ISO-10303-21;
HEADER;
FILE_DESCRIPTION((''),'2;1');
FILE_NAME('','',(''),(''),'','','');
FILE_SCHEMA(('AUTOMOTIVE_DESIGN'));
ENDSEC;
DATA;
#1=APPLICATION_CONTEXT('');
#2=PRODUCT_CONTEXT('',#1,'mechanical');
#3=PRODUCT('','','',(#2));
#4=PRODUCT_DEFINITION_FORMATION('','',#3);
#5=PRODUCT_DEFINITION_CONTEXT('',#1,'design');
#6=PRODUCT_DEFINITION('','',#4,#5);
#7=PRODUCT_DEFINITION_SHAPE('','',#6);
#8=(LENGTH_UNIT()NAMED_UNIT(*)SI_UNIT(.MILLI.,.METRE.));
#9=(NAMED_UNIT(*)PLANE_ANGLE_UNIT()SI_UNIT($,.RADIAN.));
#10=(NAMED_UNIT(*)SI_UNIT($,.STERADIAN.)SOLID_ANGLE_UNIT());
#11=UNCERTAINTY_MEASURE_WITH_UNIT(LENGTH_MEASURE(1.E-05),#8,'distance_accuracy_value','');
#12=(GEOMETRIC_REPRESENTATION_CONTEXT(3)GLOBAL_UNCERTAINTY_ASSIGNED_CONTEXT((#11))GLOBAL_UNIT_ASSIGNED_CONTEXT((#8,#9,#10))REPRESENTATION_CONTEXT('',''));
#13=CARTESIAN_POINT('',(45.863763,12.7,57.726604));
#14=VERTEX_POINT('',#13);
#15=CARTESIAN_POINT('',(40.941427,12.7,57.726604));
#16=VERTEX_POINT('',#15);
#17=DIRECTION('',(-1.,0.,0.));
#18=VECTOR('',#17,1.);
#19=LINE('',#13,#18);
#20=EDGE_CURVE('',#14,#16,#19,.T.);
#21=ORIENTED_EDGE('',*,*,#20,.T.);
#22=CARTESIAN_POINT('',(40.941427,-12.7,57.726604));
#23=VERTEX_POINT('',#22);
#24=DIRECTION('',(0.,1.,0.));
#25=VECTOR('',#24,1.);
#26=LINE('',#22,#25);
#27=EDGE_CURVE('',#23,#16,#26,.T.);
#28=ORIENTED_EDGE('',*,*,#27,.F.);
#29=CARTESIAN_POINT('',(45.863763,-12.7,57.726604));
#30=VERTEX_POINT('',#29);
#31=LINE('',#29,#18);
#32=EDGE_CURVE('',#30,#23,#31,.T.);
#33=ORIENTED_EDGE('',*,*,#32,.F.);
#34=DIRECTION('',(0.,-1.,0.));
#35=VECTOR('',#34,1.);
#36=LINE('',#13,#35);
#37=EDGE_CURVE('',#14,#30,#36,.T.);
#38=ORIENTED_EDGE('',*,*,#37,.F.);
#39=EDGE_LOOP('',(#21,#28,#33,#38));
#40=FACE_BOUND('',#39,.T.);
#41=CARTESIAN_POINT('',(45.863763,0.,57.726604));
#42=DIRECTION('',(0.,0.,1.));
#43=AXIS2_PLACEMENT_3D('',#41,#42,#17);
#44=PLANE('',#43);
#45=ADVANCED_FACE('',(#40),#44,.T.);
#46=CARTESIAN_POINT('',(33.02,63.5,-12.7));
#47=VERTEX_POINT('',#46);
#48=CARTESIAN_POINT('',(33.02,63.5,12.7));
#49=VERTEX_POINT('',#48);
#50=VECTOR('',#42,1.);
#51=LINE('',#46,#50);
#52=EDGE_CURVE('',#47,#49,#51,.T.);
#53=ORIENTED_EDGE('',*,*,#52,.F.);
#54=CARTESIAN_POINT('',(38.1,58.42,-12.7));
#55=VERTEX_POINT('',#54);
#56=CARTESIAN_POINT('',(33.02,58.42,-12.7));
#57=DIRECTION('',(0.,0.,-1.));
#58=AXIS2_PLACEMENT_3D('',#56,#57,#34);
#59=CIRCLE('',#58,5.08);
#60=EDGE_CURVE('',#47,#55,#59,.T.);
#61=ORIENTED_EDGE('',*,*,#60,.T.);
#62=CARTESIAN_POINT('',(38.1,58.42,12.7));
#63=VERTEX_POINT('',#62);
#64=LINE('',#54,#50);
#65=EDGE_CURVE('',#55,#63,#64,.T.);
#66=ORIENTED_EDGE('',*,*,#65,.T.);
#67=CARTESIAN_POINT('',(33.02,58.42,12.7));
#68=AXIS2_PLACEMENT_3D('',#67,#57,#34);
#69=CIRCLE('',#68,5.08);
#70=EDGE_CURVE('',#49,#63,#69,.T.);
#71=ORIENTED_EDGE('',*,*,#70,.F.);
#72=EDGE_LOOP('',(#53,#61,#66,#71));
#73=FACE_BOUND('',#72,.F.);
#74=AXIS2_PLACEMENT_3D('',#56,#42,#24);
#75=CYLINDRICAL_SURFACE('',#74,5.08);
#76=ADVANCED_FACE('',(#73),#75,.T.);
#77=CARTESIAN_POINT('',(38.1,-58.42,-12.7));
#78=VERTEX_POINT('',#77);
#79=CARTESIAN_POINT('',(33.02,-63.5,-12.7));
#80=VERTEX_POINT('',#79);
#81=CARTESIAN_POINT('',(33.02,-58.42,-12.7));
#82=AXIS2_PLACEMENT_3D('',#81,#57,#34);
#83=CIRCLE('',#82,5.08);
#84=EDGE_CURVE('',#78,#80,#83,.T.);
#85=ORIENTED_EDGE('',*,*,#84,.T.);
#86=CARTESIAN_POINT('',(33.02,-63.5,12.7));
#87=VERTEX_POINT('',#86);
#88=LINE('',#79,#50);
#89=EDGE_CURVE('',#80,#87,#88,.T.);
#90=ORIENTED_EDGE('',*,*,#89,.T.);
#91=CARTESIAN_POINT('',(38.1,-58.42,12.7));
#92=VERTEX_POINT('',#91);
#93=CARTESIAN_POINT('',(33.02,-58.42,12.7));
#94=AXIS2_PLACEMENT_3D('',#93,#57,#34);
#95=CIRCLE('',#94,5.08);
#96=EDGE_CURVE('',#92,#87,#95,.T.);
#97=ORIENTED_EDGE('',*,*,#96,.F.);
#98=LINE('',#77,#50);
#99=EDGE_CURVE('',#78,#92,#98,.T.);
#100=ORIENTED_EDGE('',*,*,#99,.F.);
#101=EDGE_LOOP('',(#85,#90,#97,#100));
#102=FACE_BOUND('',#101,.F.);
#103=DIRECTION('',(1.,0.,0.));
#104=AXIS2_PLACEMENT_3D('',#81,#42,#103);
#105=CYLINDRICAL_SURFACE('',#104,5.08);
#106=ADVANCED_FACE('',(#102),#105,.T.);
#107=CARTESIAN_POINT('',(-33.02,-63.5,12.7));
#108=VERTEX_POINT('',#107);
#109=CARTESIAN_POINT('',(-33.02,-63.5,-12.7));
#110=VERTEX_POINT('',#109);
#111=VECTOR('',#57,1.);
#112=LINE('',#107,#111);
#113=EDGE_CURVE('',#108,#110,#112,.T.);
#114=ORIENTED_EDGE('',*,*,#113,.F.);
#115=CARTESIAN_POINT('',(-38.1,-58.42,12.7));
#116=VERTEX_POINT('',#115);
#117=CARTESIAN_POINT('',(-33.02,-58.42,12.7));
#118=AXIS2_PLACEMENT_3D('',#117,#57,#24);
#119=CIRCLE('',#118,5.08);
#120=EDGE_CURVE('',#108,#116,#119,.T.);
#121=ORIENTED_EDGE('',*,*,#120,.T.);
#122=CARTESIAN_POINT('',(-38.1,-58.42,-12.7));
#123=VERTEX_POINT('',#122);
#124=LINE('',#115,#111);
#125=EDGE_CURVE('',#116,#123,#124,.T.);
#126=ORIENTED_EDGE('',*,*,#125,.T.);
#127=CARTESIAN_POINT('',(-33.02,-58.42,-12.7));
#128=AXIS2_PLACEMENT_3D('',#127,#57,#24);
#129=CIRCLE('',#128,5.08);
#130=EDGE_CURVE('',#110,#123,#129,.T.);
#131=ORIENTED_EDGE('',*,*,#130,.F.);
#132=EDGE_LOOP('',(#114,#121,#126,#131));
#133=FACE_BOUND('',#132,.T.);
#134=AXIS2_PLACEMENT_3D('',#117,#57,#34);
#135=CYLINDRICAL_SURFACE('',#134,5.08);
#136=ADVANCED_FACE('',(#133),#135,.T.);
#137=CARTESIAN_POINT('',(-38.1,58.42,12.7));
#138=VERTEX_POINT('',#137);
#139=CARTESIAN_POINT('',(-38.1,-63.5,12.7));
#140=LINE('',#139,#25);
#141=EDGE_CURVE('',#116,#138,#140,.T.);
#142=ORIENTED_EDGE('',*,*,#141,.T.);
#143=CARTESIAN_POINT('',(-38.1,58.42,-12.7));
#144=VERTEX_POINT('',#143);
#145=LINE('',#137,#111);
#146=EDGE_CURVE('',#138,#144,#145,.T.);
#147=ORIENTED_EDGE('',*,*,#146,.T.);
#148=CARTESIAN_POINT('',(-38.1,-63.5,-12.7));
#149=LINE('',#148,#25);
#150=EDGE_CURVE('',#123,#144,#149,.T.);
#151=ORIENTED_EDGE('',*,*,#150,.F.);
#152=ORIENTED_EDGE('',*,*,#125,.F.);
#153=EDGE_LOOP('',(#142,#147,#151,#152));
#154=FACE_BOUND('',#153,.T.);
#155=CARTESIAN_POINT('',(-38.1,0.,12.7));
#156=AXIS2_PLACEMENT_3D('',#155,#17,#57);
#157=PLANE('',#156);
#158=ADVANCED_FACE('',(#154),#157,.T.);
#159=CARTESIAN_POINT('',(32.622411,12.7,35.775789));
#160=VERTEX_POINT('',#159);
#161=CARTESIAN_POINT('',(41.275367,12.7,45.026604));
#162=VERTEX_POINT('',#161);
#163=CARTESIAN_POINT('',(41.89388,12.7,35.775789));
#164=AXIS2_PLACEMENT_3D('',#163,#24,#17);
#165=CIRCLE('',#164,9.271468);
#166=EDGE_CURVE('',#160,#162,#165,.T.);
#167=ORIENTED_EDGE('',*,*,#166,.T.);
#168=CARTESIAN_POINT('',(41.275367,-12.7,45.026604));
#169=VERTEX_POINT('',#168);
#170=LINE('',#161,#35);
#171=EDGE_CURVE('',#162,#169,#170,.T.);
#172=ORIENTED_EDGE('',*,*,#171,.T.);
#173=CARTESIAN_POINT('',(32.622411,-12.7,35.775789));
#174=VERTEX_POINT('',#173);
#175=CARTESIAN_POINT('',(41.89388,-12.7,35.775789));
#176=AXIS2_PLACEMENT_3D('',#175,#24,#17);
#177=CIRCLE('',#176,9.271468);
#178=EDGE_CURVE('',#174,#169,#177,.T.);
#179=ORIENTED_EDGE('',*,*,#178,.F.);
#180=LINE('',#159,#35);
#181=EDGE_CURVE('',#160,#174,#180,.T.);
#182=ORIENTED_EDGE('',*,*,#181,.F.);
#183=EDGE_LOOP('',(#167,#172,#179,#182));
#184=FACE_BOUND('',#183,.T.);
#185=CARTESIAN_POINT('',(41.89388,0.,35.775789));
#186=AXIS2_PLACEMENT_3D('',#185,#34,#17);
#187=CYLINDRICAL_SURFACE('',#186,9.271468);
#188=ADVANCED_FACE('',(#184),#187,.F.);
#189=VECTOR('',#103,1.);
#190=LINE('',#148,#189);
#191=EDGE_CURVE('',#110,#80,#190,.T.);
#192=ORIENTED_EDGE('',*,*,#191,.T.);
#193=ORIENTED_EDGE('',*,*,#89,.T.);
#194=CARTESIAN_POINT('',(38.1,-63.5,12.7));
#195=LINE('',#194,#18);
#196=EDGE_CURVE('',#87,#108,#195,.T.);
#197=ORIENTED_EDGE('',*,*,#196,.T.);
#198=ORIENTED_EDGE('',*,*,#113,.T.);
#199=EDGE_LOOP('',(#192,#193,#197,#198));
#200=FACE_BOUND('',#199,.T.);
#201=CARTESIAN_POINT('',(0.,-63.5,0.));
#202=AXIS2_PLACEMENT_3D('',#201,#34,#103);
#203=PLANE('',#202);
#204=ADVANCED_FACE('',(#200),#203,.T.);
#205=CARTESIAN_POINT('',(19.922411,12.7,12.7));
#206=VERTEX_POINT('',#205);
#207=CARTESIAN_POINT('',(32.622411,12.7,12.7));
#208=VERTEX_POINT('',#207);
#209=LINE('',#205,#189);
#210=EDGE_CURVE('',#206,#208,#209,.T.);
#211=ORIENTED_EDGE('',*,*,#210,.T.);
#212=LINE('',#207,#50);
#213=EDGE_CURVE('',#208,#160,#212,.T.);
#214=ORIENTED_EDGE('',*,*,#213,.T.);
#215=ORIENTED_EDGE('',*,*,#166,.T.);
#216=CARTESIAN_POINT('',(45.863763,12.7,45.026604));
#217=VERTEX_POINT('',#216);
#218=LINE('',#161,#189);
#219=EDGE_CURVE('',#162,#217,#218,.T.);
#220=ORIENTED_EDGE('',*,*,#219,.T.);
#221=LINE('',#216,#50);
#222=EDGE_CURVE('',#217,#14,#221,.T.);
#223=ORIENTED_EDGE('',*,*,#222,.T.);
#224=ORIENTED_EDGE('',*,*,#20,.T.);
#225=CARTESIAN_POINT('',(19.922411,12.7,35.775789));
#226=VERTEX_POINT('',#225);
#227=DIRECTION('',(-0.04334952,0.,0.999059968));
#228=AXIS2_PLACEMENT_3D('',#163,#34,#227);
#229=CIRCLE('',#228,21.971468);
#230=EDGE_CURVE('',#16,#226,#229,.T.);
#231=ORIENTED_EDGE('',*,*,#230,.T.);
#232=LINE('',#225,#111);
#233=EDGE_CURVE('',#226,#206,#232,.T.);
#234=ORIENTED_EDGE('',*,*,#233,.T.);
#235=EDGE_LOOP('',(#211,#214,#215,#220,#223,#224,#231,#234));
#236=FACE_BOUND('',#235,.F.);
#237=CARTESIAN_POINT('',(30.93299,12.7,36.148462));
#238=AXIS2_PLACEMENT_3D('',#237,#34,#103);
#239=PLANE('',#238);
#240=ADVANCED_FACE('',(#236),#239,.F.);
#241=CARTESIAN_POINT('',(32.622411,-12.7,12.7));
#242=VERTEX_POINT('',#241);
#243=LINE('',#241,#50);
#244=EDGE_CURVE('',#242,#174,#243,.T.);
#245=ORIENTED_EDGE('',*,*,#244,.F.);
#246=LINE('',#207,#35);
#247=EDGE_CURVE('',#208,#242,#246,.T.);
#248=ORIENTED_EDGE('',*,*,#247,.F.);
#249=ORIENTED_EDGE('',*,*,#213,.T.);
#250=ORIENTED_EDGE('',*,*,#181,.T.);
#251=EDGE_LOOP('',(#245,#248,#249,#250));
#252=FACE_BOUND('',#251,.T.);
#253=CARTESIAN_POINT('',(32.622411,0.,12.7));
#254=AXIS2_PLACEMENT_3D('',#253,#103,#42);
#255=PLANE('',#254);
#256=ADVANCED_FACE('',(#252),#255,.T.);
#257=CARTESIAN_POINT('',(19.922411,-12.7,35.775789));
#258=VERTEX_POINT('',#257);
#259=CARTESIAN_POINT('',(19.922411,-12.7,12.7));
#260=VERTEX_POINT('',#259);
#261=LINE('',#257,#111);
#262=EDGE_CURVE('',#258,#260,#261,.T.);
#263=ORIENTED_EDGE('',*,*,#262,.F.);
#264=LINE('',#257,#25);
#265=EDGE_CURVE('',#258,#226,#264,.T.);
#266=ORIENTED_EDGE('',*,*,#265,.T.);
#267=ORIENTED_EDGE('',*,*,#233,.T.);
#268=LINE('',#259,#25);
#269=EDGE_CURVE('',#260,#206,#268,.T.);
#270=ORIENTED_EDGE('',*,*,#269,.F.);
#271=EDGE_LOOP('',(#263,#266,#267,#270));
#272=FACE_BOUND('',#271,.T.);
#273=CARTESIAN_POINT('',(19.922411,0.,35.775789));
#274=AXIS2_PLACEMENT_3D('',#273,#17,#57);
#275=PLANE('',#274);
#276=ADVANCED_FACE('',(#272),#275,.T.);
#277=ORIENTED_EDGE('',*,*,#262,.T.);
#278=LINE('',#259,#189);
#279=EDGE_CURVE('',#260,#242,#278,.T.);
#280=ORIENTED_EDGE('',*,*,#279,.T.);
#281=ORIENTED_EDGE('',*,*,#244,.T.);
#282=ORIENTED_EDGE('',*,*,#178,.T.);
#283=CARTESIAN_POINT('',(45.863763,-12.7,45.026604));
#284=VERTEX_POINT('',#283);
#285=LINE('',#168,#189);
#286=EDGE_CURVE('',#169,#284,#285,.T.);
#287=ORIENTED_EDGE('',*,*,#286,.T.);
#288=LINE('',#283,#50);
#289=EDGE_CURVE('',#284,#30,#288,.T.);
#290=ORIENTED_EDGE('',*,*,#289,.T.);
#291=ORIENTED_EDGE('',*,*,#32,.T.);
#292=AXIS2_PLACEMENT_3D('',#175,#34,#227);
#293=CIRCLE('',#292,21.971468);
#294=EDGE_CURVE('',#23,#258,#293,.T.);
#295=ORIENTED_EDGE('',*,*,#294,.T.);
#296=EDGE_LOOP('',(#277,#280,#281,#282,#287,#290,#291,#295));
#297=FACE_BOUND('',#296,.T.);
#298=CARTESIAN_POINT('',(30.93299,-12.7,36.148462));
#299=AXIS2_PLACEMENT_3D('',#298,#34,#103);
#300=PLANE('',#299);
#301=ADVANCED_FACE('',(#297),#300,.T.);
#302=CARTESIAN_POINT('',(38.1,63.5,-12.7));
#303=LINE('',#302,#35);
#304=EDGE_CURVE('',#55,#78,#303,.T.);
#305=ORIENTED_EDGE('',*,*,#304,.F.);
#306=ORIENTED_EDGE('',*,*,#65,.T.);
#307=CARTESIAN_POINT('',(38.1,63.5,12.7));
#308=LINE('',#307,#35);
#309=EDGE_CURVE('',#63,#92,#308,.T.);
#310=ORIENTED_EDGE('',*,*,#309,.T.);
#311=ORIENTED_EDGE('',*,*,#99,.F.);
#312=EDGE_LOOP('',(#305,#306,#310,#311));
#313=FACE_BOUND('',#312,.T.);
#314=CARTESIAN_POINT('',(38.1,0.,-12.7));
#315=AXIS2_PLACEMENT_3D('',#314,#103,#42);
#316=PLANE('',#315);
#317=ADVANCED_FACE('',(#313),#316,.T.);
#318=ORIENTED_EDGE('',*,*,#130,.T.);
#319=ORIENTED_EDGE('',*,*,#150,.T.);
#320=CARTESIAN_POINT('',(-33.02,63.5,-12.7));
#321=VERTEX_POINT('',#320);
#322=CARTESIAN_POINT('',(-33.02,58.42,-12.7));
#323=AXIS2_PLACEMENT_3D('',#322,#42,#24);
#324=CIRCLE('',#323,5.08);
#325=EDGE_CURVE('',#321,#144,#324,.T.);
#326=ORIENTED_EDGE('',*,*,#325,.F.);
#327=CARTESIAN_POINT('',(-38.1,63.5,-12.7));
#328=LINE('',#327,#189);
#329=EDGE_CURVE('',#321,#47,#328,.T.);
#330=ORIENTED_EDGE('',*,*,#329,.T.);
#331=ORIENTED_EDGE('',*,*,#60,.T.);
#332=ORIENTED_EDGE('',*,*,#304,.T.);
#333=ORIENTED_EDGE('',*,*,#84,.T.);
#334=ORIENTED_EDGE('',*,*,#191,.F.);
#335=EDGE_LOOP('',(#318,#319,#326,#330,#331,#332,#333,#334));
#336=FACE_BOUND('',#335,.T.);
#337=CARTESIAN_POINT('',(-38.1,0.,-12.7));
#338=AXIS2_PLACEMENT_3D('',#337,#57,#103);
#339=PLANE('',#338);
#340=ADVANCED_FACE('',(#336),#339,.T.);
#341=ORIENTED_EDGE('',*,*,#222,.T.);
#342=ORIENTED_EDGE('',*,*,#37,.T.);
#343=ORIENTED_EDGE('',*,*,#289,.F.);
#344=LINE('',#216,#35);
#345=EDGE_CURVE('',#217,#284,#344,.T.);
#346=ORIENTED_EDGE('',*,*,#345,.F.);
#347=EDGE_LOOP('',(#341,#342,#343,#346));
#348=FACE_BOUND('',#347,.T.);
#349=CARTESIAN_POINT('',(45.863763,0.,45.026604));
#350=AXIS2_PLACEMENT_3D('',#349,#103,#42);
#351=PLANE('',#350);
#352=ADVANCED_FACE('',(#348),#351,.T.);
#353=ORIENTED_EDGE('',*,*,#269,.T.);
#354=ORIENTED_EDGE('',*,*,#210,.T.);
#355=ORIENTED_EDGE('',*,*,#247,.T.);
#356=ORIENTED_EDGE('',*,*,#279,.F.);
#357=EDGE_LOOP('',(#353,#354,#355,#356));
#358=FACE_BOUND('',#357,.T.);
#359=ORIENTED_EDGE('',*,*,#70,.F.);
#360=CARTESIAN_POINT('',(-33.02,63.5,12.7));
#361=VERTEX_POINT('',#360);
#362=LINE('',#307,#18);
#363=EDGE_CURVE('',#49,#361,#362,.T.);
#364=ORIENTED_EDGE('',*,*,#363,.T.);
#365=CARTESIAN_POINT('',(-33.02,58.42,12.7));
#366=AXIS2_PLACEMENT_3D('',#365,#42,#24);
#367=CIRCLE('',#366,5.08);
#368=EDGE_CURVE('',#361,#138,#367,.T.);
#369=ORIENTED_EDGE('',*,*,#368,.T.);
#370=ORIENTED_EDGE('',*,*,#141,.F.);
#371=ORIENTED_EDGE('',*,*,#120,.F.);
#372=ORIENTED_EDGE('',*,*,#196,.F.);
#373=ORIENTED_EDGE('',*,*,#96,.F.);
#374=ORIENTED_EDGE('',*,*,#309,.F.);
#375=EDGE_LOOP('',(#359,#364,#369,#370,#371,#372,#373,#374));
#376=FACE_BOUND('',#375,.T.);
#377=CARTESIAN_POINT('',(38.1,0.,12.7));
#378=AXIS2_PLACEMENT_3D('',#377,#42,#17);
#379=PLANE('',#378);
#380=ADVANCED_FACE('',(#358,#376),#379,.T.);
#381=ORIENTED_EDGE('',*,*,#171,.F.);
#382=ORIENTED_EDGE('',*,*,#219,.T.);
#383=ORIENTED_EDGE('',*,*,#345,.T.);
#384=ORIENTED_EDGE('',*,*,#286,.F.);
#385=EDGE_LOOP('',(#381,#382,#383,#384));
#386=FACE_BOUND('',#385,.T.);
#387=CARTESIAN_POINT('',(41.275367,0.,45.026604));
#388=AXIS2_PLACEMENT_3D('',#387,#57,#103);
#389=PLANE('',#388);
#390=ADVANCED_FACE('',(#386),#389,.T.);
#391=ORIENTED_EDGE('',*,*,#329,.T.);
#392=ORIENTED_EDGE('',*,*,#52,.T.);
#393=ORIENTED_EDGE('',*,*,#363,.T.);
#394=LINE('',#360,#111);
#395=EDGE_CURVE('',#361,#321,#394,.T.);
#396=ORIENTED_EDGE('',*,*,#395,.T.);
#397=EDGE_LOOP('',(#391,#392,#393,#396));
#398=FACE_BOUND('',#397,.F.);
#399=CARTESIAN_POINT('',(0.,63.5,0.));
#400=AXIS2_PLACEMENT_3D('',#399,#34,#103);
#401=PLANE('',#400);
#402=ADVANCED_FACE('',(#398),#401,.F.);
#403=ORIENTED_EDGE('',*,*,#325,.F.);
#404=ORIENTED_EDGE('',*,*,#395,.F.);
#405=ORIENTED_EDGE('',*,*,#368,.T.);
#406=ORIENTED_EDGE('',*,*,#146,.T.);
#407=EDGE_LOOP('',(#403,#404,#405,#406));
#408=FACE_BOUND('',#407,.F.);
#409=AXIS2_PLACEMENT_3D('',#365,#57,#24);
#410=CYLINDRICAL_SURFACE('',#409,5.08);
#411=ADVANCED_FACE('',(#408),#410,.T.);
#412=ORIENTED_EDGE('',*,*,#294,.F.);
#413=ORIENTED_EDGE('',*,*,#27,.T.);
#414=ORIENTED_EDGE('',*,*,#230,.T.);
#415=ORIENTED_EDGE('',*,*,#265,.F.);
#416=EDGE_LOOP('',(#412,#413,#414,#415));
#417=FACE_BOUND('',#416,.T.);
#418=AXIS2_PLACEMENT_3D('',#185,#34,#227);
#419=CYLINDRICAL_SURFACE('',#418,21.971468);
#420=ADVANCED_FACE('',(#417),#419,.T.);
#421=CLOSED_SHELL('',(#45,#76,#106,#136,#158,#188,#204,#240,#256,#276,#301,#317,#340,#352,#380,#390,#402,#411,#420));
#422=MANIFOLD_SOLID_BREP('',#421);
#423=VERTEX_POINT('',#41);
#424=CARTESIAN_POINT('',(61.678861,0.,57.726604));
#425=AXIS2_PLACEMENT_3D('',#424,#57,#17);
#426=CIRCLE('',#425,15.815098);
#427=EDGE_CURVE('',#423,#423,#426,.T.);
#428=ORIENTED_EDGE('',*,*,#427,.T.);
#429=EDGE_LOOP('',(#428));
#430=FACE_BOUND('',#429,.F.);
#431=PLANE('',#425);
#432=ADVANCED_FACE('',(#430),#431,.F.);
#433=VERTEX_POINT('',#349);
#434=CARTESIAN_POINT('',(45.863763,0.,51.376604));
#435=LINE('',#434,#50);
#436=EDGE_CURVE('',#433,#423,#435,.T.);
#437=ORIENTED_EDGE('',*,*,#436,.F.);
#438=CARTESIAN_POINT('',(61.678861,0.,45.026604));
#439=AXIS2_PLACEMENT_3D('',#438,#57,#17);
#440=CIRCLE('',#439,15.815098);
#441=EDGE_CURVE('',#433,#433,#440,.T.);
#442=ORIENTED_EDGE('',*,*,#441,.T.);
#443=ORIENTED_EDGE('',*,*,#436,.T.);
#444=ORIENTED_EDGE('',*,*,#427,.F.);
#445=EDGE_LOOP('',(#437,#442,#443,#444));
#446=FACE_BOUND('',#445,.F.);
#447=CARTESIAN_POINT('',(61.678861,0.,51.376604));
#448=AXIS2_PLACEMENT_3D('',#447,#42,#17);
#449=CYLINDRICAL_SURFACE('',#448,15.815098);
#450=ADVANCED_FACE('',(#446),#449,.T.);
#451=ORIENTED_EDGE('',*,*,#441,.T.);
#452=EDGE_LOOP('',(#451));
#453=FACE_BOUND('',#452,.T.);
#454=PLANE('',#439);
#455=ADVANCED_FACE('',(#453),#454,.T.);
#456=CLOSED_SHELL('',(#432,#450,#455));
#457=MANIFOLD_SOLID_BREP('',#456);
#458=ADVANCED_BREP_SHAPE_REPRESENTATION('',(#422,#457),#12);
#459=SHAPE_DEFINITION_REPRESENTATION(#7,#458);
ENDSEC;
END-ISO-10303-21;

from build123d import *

# Parameters (mm, degrees)
F1_DEPTH = 63.5
F2_DEPTH = 12.7
F0_W     = 15.8150978086
F0_H     = 12.7
F4_R     = 5.08


with BuildPart() as f1:
    # F0 (on Front) → F1 (new body, symmetric)
    with BuildSketch(Plane.XZ):
        Polygon((-38.1, -12.7), (38.1, -12.7), (38.1, 12.7), (32.6224114357, 12.7), (19.9224114357, 12.7), (-38.1, 12.7), align=None)
    extrude(amount=F1_DEPTH, both=True)

    # F0 (on Front) → F2 (join, symmetric)
    with BuildSketch(Plane.XZ):
        with BuildLine():
            Line((19.9224114357, 12.7), (32.6224114357, 12.7))
            Line((32.6224114357, 12.7), (32.6224114357, 35.7757893081))
            ThreePointArc((32.6224114357, 35.7757893081), (35.1228147899, 42.1092562003), (41.2753674716, 45.0266035067))
            Line((41.2753674716, 45.0266035067), (45.8637634207, 45.0266035067))
            Line((45.8637634207, 45.0266035067), (45.8637634207, 57.7266035067))
            Line((45.8637634207, 57.7266035067), (40.9414269352, 57.7266035067))
            ThreePointArc((40.9414269352, 57.7266035067), (26.0245349942, 50.971489823), (19.9224114357, 35.7757893081))
            Line((19.9224114357, 35.7757893081), (19.9224114357, 12.7))
        make_face()
    extrude(amount=F2_DEPTH, both=True)

    # F4
    f4_edges = [f1.edges().sort_by_distance(p)[0] for p in [
        (-38.1, -63.5, 0),
        (38.1, -63.5, 0),
        (-38.1, 63.5, 0),
        (38.1, 63.5, 0),
    ]]
    fillet(f4_edges, radius=F4_R)


with BuildPart() as f3:
    # F0 (on Front) → F3 (revolve)
    with BuildSketch(Plane.XZ):
        with Locations((53.771312325, 51.3766035067)):
            Rectangle(F0_W, F0_H)
    revolve(axis=Axis((61.6788612294, 0, 51.3766035067), (0, 0, -1)))


solid = Compound([f1.part, f3.part])
